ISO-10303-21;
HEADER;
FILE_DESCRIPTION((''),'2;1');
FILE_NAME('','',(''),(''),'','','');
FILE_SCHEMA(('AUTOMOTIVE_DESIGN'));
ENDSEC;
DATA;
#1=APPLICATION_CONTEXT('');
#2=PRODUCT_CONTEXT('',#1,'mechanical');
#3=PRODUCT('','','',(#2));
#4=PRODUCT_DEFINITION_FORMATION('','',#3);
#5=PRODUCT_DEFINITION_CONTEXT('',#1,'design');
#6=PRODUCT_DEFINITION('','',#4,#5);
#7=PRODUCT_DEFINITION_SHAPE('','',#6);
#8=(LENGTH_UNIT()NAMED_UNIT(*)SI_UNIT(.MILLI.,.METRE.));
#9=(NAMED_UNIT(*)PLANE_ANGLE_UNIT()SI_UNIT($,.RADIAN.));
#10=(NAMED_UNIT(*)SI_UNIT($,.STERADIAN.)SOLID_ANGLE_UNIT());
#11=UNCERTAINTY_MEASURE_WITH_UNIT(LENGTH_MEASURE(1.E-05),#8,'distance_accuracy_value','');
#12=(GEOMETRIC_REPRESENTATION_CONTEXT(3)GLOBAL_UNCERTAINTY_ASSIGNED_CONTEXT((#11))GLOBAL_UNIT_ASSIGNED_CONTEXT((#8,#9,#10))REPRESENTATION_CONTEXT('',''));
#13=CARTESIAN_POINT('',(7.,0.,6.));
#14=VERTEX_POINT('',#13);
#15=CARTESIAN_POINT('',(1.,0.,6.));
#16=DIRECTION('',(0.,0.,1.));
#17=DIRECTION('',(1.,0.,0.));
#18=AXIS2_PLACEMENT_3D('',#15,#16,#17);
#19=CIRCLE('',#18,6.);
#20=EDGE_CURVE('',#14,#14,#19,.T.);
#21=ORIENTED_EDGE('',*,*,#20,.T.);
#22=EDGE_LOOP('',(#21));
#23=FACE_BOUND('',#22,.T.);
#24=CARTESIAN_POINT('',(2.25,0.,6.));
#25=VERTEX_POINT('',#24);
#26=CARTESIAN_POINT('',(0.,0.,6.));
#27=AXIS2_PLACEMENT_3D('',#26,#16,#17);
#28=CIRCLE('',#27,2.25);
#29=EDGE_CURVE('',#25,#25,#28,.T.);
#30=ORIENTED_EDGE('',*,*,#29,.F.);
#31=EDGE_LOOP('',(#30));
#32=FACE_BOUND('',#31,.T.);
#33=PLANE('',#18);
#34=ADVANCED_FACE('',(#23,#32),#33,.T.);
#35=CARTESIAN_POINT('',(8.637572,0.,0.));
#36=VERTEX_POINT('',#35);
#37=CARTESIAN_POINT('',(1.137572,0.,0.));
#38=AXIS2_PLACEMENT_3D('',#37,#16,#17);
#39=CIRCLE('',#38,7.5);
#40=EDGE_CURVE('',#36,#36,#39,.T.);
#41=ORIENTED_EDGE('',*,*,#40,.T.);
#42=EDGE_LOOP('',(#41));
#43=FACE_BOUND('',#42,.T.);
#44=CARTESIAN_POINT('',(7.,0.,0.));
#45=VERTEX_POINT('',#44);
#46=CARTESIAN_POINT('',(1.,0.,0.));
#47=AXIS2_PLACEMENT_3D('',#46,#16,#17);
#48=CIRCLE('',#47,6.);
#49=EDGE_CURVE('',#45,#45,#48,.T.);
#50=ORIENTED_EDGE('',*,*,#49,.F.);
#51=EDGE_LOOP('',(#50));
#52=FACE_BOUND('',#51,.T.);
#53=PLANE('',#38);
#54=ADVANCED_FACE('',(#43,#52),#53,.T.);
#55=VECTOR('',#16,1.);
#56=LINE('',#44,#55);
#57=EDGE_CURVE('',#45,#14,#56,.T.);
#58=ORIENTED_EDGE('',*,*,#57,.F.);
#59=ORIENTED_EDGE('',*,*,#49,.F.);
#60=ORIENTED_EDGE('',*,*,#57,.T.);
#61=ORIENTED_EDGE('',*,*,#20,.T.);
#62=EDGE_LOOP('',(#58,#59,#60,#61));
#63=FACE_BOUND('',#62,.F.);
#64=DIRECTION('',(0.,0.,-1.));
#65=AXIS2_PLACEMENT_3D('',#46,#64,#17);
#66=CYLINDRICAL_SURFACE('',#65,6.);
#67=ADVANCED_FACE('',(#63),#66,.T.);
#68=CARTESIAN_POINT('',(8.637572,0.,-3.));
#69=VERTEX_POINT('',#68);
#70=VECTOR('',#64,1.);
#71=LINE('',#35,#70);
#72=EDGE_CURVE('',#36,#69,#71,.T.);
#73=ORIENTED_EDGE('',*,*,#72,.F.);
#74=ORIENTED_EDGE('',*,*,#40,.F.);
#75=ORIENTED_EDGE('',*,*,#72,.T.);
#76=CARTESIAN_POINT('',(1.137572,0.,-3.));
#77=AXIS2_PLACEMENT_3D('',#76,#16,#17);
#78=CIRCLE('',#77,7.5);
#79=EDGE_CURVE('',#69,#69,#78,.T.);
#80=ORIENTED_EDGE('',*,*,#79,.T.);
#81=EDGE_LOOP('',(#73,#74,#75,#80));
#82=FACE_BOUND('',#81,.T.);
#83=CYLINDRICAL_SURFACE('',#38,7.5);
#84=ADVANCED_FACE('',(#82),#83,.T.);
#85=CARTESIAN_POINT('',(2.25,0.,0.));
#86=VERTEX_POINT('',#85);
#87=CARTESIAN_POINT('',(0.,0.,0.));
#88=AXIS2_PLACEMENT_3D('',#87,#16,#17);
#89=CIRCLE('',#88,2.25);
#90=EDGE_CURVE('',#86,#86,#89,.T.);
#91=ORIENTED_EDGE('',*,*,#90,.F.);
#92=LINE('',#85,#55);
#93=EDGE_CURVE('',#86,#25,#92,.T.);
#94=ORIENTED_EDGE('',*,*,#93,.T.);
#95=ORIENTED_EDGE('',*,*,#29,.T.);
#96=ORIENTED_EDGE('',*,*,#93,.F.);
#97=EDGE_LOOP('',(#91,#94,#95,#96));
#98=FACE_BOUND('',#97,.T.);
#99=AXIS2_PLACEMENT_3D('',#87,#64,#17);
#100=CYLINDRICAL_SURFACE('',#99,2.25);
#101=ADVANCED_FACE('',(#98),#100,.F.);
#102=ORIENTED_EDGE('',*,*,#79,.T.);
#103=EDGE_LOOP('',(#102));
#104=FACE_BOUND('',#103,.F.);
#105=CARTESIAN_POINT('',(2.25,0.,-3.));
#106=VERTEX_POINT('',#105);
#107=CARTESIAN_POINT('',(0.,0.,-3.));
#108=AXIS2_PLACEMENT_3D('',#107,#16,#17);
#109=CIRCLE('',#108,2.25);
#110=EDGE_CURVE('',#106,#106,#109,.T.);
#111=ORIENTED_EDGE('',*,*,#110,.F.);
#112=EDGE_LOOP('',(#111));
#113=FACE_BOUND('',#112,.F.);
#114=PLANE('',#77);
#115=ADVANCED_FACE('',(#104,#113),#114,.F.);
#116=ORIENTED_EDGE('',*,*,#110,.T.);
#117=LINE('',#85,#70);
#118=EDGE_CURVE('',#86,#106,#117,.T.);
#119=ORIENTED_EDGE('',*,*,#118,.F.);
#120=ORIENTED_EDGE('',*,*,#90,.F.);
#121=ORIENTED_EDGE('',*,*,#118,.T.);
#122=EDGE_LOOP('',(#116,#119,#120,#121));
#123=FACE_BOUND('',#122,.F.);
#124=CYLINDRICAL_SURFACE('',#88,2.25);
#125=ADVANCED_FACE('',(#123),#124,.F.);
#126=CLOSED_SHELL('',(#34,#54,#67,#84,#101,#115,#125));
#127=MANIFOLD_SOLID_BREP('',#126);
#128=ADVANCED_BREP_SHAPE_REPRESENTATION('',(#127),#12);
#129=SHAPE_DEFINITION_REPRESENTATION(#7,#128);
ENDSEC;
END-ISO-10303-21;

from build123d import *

# Parameters (mm, degrees)
F0_R     = 6
F0_R_2   = 2.25
F1_DEPTH = 6
F2_R     = 7.5
F2_R_2   = 6
F3_DEPTH = 3


with BuildPart() as f1:
    # F0 (on Top) → F1 (new body)
    with BuildSketch(Plane.XY):
        with Locations((1, 0)):
            Circle(F0_R)
        Circle(F0_R_2, mode=Mode.SUBTRACT)
    extrude(amount=F1_DEPTH)

    # F2 (on face) + F0 (on Top) → F3 (join)
    with BuildSketch(Plane.XY):
        with Locations((1.137572, 0)):
            Circle(F2_R)
        with Locations((1, 0)):
            Circle(F2_R_2, mode=Mode.SUBTRACT)
    with BuildSketch(Plane.XY):
        with Locations((1, 0)):
            Circle(F0_R)
        Circle(F0_R_2, mode=Mode.SUBTRACT)
    extrude(amount=-F3_DEPTH)


solid = f1.part
